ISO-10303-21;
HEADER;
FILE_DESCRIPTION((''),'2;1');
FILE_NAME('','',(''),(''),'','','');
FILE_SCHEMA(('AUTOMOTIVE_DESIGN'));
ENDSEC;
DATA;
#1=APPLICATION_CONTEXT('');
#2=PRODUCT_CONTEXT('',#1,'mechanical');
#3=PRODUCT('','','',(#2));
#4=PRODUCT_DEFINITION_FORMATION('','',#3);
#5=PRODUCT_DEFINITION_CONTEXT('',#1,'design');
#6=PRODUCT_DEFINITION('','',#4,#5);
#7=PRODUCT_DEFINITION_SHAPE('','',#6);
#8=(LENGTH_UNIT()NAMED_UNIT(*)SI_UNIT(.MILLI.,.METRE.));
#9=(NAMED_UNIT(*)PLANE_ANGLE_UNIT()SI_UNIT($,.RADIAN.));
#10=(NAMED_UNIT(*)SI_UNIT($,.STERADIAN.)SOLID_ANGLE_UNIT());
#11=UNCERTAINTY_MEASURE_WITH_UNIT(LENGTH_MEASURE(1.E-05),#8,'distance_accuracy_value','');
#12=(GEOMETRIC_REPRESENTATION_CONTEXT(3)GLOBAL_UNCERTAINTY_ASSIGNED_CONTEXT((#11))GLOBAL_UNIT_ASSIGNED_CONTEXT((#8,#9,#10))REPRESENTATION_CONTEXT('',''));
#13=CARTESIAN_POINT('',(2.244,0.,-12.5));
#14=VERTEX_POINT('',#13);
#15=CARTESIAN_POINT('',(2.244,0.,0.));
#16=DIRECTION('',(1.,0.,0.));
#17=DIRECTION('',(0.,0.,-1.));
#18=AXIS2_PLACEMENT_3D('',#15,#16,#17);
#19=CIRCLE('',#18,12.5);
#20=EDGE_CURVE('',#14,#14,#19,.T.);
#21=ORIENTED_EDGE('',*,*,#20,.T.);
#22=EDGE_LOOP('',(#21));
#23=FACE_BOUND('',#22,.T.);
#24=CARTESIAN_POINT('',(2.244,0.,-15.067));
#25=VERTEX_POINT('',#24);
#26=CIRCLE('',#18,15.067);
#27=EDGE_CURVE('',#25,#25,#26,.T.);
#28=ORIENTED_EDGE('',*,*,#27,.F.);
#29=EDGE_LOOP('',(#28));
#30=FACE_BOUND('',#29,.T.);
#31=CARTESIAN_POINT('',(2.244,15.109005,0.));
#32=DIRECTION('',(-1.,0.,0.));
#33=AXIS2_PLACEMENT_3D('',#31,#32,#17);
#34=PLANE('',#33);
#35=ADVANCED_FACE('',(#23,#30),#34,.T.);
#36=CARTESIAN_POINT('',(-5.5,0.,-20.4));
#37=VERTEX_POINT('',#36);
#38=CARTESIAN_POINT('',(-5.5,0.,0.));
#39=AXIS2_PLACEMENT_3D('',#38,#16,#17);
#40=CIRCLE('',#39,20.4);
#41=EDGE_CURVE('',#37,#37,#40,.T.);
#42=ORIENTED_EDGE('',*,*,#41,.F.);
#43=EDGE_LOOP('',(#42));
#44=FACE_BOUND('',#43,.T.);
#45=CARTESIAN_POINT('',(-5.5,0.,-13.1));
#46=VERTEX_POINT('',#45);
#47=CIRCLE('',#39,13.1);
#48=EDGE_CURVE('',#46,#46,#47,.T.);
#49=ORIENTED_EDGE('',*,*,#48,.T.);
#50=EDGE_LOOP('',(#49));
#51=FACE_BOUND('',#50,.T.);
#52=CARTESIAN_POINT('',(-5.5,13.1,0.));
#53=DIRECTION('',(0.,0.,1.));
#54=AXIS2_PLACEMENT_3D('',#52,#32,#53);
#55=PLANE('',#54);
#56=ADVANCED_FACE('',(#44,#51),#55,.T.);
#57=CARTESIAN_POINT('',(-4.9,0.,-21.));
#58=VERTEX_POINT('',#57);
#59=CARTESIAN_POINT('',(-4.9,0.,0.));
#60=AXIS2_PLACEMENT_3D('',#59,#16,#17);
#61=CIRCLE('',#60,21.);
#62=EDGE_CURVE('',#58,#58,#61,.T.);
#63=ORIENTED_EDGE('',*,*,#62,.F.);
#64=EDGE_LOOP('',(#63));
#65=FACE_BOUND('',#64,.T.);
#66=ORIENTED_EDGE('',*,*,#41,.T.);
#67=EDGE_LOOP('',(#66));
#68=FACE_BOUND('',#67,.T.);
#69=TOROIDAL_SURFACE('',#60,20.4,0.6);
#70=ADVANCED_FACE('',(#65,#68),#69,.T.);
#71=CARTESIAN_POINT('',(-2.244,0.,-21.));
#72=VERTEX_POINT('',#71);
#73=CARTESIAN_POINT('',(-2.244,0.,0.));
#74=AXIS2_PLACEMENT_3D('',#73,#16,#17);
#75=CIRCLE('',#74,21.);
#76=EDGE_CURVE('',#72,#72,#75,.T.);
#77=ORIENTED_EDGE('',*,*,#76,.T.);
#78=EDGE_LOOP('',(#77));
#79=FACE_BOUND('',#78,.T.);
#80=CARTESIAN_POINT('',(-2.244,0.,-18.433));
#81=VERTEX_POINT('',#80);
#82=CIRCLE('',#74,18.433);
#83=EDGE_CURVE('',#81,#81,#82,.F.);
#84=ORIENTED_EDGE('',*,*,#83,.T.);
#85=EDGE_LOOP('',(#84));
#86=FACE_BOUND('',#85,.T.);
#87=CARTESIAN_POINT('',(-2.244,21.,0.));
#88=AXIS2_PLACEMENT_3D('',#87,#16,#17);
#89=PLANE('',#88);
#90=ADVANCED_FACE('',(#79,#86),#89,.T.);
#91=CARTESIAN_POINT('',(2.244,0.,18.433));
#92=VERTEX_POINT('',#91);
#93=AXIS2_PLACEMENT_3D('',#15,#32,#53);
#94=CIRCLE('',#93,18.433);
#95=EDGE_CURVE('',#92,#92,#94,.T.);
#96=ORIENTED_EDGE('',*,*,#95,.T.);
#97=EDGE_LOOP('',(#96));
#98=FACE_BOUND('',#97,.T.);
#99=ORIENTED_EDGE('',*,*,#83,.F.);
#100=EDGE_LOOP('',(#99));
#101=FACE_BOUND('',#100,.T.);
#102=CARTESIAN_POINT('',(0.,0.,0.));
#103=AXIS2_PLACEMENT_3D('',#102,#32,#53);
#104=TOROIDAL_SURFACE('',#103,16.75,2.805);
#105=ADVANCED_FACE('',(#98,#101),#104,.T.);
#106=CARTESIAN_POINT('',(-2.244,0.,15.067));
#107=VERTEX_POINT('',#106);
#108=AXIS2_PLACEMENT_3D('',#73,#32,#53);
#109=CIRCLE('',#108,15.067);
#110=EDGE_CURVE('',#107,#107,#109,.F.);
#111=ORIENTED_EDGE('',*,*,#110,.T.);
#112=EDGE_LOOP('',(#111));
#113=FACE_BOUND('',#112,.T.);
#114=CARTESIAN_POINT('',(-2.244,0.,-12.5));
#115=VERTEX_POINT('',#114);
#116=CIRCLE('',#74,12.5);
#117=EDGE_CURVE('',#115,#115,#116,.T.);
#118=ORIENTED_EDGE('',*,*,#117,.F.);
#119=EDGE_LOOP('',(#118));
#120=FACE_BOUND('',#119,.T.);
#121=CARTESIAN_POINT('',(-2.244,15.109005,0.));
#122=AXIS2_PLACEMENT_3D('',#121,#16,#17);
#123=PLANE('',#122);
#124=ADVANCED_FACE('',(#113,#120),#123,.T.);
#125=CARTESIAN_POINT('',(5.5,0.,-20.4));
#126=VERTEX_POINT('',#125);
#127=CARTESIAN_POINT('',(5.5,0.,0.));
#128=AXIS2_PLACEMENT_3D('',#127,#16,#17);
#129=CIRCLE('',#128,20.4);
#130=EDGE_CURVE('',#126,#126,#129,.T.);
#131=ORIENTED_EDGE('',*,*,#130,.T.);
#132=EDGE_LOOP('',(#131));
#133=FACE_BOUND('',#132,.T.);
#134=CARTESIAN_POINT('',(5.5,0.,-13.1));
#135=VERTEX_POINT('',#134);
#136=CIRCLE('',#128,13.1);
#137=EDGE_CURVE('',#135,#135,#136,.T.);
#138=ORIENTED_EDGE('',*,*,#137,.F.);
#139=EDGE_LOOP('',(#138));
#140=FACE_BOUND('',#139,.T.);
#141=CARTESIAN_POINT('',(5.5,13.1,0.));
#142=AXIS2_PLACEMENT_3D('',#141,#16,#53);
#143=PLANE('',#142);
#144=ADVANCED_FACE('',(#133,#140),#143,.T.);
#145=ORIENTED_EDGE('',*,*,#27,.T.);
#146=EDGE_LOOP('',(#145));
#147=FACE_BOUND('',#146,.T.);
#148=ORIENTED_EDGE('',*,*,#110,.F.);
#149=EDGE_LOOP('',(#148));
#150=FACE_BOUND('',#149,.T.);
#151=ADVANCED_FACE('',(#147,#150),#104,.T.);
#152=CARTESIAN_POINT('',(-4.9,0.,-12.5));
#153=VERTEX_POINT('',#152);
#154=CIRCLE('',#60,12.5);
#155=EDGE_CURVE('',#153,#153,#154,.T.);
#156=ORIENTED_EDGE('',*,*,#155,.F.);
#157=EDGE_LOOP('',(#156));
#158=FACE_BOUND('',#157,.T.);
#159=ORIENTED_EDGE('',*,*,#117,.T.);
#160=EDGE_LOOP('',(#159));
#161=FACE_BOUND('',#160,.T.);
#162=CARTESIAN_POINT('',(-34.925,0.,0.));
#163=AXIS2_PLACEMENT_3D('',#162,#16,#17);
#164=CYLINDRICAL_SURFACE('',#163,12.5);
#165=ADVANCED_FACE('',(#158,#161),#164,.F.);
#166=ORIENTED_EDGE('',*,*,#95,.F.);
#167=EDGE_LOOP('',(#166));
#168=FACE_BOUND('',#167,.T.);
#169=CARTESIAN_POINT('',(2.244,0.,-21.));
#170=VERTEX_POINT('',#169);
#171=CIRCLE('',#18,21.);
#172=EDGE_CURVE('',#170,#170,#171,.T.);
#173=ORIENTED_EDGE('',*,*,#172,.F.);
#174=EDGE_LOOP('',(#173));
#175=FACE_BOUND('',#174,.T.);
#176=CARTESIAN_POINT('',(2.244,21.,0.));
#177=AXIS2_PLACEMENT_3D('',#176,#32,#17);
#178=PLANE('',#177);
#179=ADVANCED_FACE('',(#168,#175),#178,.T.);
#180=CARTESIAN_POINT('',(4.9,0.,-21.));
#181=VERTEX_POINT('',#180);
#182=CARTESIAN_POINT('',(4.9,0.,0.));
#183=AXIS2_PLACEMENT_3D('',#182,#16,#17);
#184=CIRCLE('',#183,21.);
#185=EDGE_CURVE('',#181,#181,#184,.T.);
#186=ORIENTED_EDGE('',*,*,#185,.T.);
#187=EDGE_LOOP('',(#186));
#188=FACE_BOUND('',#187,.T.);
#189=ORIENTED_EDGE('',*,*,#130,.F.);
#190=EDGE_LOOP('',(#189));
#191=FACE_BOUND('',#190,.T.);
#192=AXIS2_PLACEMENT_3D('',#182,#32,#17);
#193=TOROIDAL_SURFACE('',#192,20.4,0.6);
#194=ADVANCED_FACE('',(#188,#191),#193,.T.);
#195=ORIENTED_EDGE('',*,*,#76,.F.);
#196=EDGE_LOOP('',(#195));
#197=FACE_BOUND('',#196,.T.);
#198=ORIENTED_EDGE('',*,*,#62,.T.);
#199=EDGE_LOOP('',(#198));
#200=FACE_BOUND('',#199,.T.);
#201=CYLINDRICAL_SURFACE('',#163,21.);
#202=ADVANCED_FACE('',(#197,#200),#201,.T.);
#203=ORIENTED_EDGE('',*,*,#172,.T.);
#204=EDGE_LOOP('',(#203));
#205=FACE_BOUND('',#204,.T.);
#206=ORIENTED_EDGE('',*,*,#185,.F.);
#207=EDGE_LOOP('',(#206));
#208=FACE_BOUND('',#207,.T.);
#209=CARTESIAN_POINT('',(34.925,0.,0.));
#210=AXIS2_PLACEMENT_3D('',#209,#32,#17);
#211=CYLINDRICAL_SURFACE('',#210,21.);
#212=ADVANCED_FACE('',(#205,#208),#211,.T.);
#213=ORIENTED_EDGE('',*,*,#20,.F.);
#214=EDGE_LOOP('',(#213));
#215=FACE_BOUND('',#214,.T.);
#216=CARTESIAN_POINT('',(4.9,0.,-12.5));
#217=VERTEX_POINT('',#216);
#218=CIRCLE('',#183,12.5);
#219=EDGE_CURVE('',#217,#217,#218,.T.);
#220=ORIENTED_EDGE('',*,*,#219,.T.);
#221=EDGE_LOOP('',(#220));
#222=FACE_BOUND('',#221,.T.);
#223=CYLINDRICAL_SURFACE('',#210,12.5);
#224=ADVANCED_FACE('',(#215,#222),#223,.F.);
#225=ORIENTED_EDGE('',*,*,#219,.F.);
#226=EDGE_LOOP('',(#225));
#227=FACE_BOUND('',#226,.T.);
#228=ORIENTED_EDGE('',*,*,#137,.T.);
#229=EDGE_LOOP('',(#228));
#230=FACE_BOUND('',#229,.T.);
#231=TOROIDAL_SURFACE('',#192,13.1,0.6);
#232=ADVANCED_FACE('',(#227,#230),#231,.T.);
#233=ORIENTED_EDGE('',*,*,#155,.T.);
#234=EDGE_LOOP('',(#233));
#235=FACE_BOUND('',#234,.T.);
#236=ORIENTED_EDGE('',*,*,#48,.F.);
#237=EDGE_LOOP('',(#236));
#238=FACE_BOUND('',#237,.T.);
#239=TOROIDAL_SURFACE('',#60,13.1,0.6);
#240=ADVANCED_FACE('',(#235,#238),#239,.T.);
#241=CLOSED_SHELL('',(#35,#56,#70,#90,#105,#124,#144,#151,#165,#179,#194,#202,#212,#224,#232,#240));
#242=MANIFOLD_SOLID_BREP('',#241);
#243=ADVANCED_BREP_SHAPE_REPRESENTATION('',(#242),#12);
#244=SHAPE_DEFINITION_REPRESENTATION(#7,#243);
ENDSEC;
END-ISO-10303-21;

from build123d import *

# Parameters (mm, degrees)
BALSIMSKE_R = 2.805


with BuildPart() as part:
    # InnRacSke → Race (revolve)
    with BuildSketch(Plane.XY, mode=Mode.PRIVATE) as race_sk:
        with BuildLine():
            Line((-2.244, 15.10900518), (-2.244, 12.5))
            Line((-2.244, 12.5), (-4.9, 12.5))
            ThreePointArc((-4.9, 12.5), (-5.324264069, 12.675735931), (-5.5, 13.1))
            Line((-5.5, 13.1), (-5.5, 20.4))
            ThreePointArc((-5.5, 20.4), (-5.324264069, 20.824264069), (-4.9, 21))
            Line((-4.9, 21), (-2.244, 21))
            Line((-2.244, 21), (-2.244, 18.39099482))
            ThreePointArc((-2.244, 18.39099482), (-2.78, 16.75), (-2.244, 15.10900518))
        make_face()
    race = revolve(race_sk.sketch.rotate(Axis((-34.925, 0, 0), (1, 0, 0)), 270), axis=Axis((-34.925, 0, 0), (1, 0, 0)))

    # BalSimSke → BallsSimplified (revolve)
    with BuildSketch(Plane.XY, mode=Mode.PRIVATE) as ballssimplified_sk:
        with Locations((0, 16.75)):
            Circle(BALSIMSKE_R)
    revolve(ballssimplified_sk.sketch.rotate(Axis((-25.4, 0, 0), (1, 0, 0)), 90), axis=Axis((-25.4, 0, 0), (1, 0, 0)))

    # Mirror1: Race across plane
    add(race.mirror(Plane(origin=(0, 0, 0), x_dir=(0, 0, 1), z_dir=(1, 0, 0))))


solid = part.part
